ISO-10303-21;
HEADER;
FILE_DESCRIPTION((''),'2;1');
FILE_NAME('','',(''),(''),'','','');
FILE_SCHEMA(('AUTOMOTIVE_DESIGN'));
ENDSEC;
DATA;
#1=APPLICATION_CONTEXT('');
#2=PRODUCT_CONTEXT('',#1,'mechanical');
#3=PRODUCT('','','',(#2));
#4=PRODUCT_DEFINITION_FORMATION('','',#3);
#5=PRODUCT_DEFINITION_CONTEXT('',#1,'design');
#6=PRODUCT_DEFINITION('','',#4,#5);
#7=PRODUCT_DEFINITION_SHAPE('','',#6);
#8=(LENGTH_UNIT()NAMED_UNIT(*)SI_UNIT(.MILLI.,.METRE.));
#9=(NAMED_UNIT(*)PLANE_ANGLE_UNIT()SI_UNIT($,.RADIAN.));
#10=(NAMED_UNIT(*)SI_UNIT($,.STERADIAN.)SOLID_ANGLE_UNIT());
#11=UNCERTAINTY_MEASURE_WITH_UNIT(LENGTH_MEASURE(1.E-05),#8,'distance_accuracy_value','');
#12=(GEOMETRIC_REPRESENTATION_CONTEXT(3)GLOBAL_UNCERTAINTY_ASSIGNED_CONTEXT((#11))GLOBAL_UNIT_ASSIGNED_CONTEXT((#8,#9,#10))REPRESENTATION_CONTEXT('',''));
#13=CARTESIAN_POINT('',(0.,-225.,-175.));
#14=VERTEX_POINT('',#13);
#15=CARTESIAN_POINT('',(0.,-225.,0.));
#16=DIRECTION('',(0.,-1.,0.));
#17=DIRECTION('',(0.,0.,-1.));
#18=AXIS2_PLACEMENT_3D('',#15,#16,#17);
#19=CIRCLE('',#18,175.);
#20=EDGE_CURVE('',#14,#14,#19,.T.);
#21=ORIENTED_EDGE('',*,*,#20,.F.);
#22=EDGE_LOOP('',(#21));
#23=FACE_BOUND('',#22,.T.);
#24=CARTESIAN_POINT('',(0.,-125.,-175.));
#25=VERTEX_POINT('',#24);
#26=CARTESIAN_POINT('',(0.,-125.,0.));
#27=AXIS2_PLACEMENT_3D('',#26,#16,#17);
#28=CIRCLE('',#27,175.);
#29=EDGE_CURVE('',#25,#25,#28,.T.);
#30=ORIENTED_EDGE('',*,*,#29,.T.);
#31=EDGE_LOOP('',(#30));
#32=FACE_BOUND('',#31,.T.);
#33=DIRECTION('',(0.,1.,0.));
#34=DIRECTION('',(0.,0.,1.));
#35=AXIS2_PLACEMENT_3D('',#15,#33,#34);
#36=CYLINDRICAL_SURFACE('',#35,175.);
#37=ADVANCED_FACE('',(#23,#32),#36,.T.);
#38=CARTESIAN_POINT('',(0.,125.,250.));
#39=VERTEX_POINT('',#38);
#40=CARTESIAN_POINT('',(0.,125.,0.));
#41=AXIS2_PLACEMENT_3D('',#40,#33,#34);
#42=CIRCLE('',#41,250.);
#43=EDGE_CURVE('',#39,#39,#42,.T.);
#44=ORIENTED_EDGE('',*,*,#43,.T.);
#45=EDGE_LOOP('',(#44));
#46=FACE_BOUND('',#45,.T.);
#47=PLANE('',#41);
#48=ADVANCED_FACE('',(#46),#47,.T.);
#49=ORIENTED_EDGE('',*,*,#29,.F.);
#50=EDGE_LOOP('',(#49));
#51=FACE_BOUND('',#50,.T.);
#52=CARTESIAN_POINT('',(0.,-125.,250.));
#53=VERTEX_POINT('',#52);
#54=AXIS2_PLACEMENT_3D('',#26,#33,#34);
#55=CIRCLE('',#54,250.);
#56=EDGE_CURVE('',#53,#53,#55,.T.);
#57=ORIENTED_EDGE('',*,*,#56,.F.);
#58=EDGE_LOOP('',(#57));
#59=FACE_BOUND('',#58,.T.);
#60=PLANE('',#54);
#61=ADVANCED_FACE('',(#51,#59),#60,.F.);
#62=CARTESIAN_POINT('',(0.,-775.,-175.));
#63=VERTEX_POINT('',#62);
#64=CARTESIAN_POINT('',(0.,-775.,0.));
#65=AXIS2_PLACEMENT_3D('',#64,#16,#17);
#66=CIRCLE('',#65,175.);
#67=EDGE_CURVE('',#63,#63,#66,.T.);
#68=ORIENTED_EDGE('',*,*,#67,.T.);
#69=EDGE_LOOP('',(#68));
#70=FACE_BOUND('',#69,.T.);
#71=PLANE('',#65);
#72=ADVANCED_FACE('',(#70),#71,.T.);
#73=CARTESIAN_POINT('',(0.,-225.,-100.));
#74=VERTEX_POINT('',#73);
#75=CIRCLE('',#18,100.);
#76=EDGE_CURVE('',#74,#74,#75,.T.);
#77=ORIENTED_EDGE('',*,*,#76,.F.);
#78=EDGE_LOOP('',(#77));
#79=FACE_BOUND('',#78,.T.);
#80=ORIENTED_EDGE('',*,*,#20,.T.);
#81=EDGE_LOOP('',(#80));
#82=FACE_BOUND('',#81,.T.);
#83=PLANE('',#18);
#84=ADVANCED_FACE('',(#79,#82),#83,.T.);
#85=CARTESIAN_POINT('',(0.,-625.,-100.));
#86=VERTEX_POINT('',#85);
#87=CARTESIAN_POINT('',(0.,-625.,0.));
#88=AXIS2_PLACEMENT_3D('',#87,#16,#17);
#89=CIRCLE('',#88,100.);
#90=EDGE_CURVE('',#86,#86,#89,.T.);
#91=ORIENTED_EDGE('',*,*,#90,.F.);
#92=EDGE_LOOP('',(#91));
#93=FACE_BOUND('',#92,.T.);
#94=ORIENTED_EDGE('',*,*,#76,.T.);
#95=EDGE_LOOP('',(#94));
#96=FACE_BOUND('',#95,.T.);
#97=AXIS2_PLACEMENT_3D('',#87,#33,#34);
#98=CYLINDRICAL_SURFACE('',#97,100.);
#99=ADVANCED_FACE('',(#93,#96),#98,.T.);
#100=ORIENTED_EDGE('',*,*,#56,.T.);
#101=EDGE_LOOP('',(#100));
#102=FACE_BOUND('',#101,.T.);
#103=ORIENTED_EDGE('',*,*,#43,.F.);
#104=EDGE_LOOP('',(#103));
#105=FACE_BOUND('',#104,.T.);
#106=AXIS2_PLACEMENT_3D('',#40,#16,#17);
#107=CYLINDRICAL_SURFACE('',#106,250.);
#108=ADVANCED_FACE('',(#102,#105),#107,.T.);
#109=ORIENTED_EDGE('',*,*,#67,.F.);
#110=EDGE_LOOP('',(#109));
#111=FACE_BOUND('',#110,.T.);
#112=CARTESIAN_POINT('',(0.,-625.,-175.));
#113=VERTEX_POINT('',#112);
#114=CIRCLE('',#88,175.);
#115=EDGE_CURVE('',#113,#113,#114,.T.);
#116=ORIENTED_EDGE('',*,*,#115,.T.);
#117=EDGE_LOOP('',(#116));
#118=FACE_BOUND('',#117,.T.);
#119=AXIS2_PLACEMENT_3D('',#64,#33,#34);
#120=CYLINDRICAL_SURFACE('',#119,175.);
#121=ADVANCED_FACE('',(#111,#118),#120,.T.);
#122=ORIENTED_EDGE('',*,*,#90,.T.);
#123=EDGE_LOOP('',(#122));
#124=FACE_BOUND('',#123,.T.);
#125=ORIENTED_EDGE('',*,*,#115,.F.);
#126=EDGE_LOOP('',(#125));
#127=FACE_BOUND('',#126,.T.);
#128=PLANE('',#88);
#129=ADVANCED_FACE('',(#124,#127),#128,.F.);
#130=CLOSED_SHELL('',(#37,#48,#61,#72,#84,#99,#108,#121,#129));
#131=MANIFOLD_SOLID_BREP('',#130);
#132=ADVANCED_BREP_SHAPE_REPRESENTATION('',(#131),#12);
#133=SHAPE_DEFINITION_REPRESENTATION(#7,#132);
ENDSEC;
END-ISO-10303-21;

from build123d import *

# Parameters (mm, degrees)
SKETCH1_R           = 250
BOSS_EXTRUDE1_DEPTH = 125
SKETCH2_R           = 175
BOSS_EXTRUDE2_DEPTH = 100
SKETCH3_R           = 100
BOSS_EXTRUDE3_DEPTH = 400
SKETCH4_R           = 175
BOSS_EXTRUDE4_DEPTH = 150


with BuildPart() as part:
    # Sketch1 → Boss-Extrude1 (new body, symmetric)
    with BuildSketch(Plane(origin=(0, 0, 0), x_dir=(1, 0, 0), z_dir=(0, 1, 0))):
        Circle(SKETCH1_R)
    extrude(amount=BOSS_EXTRUDE1_DEPTH, both=True)

    # Sketch2 → Boss-Extrude2 (add)
    with BuildSketch(Plane.XZ.offset(125)):
        Circle(SKETCH2_R)
    extrude(amount=BOSS_EXTRUDE2_DEPTH)

    # Sketch3 → Boss-Extrude3 (add)
    with BuildSketch(Plane.XZ.offset(225)):
        Circle(SKETCH3_R)
    extrude(amount=BOSS_EXTRUDE3_DEPTH)

    # Sketch4 → Boss-Extrude4 (add)
    with BuildSketch(Plane.XZ.offset(625)):
        Circle(SKETCH4_R)
    extrude(amount=BOSS_EXTRUDE4_DEPTH)


solid = part.part
